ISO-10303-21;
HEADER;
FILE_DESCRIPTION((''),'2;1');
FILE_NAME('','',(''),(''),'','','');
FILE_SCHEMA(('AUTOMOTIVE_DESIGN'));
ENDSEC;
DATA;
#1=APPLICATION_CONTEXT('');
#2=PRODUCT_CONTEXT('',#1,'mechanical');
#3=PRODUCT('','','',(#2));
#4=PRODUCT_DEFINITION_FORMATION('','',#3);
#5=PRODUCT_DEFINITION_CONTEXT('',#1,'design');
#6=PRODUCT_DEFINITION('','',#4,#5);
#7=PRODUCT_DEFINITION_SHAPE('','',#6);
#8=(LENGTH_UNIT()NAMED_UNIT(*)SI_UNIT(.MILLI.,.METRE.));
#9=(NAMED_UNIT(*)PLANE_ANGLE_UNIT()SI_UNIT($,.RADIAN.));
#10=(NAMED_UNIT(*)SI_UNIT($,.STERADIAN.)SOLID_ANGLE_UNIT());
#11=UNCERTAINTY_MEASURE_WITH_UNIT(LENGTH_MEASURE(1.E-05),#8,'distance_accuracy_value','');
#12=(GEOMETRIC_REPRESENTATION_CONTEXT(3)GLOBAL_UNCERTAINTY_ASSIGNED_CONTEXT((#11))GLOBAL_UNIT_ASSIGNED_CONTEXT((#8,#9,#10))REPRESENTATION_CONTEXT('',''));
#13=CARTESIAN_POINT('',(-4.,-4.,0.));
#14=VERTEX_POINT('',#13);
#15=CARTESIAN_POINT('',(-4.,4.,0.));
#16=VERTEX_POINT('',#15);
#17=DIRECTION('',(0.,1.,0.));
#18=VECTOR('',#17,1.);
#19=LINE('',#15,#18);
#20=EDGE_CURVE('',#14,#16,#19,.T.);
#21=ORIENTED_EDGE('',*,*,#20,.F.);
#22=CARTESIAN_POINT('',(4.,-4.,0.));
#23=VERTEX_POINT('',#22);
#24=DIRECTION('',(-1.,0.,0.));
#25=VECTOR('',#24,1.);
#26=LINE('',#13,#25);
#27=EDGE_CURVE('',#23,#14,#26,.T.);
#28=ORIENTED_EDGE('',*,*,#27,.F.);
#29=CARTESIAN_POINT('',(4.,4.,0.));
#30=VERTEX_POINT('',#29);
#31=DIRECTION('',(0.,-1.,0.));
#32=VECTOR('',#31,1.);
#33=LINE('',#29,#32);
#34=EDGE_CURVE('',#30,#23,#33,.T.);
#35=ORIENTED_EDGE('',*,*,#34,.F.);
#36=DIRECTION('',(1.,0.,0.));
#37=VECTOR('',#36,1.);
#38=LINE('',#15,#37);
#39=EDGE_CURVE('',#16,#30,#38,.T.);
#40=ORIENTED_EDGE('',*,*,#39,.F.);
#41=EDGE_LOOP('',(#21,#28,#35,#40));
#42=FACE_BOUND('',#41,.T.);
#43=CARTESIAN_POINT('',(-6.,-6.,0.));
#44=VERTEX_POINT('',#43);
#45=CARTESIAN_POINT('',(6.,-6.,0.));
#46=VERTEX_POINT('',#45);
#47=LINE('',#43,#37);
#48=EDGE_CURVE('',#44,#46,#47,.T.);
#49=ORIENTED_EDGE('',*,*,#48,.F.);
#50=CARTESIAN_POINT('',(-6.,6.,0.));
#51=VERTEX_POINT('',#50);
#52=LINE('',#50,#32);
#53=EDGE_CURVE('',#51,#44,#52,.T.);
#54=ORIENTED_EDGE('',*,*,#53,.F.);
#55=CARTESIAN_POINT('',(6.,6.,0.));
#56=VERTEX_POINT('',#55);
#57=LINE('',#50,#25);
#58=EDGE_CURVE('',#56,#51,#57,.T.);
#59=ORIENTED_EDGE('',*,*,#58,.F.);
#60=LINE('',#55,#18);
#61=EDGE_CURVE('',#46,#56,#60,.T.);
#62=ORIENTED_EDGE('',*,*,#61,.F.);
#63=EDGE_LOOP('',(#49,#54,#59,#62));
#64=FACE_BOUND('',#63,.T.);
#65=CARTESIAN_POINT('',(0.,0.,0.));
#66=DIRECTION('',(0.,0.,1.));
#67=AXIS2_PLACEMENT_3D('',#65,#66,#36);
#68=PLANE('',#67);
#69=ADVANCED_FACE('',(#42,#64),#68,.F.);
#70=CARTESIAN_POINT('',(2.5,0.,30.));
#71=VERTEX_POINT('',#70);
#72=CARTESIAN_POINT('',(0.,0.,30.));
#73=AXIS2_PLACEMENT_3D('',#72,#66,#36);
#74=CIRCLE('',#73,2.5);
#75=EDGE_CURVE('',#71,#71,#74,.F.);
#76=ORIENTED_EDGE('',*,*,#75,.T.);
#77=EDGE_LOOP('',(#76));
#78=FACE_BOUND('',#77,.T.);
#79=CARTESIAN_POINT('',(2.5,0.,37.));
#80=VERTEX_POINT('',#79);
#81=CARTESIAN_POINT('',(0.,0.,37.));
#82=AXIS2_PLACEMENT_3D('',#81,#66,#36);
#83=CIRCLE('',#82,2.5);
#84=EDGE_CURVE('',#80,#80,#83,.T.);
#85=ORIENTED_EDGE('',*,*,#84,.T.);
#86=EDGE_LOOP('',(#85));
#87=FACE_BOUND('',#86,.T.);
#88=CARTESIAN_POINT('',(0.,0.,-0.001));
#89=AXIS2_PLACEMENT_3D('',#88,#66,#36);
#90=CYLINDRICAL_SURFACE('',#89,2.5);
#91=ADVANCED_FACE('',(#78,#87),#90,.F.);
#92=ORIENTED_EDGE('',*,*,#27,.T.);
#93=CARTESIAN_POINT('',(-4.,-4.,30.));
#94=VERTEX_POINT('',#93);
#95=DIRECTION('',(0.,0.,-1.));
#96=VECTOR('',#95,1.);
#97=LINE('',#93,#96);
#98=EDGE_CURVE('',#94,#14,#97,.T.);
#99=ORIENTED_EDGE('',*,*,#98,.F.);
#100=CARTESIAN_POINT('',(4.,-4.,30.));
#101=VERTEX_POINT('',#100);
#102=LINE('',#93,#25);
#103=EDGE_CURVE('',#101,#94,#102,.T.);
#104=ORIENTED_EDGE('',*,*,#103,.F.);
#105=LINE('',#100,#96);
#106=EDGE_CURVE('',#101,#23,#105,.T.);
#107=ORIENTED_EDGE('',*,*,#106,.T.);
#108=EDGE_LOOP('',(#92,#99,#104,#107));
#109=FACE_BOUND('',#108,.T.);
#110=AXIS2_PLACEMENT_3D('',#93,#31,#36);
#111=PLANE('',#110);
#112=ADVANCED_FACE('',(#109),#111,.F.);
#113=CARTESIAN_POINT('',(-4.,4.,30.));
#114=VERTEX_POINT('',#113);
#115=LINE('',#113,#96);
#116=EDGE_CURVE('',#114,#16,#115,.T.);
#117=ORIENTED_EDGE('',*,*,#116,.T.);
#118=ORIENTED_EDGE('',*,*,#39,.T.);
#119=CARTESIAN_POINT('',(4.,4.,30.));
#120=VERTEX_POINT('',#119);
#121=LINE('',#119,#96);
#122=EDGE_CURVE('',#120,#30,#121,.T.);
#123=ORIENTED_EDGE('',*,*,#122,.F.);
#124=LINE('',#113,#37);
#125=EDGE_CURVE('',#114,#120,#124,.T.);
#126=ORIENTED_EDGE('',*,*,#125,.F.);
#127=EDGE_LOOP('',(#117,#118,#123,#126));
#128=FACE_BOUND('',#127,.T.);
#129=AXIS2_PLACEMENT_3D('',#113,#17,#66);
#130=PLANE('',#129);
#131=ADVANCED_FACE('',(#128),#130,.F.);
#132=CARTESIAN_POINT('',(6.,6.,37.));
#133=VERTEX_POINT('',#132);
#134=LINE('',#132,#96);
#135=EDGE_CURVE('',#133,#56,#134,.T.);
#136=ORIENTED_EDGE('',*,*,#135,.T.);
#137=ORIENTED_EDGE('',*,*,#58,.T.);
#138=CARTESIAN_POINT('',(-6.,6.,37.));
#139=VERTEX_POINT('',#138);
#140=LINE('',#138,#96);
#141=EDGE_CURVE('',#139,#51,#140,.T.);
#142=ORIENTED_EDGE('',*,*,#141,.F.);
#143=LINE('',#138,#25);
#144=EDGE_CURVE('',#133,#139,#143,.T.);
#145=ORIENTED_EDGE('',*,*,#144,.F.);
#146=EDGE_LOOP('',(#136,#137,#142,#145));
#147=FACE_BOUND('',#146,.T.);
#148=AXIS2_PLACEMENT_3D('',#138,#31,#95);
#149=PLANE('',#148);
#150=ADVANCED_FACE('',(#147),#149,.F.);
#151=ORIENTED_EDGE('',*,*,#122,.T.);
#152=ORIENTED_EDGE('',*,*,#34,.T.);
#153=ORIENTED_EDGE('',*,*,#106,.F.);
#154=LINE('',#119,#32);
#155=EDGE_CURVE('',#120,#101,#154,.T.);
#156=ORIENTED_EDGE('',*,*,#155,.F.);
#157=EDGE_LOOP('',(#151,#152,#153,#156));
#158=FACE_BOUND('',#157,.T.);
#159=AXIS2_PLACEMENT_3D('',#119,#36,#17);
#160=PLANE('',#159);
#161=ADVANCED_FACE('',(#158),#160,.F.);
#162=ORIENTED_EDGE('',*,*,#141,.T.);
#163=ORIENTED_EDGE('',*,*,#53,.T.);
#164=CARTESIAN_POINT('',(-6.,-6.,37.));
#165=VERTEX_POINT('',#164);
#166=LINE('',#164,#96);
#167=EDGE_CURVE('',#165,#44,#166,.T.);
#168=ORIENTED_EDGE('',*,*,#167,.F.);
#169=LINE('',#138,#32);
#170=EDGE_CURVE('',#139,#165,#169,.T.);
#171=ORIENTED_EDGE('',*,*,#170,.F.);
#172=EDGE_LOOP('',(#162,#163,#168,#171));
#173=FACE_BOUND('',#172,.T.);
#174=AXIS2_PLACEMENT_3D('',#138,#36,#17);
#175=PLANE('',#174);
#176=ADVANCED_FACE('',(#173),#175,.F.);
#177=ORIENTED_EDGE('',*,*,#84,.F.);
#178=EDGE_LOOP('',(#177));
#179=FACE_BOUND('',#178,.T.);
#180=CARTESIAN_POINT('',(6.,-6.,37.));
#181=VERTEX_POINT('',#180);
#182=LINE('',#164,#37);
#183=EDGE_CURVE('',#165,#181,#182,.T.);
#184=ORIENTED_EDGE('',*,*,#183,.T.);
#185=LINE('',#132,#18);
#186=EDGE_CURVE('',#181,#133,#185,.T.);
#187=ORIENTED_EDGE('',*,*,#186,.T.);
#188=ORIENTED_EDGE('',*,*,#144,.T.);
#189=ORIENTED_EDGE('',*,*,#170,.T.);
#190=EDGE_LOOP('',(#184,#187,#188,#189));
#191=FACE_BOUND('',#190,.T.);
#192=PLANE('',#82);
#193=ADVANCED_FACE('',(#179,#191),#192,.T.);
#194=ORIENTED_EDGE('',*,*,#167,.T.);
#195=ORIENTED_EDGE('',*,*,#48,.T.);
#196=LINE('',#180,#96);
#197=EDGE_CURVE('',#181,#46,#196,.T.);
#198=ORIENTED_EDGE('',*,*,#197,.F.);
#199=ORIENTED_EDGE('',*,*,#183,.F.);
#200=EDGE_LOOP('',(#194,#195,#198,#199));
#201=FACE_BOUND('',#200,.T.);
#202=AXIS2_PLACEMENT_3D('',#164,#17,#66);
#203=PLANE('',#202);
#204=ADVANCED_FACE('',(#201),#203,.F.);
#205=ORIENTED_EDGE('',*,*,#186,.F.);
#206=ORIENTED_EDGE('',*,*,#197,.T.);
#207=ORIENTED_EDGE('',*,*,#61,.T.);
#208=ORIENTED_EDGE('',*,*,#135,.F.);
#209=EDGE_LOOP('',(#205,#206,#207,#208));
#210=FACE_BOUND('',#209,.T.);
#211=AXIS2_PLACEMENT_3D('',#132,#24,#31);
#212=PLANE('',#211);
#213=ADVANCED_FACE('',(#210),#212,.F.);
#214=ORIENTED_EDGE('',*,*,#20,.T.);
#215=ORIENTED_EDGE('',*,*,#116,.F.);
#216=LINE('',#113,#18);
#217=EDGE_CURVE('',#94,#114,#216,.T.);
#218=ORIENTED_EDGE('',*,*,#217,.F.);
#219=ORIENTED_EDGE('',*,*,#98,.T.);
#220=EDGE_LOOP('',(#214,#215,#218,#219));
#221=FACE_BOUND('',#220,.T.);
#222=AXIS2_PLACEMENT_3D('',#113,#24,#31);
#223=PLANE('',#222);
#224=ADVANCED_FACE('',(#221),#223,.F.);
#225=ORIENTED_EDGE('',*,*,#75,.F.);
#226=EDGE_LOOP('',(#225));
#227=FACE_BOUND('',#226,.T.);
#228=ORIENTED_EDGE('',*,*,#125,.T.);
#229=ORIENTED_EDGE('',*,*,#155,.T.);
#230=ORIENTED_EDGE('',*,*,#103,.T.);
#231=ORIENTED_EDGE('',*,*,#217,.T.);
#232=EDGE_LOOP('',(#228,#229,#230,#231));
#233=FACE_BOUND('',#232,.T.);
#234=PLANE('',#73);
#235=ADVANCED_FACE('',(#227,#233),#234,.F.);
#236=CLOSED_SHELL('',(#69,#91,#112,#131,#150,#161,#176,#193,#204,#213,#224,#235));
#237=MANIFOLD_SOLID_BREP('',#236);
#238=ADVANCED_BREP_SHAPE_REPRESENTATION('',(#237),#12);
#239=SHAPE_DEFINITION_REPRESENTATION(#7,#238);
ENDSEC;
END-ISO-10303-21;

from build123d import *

# Parameters (mm, degrees)
SKETCH1_W           = 12
SKETCH1_H           = 12
BOSS_EXTRUDE1_DEPTH = 37
SKETCH2_W           = 8
SKETCH2_H           = 8
CUT_EXTRUDE1_DEPTH  = 30
CUT_EXTRUDE2_REACH  = 39.961
SKETCH3_R           = 2.5


with BuildPart() as part:
    # Sketch1 → Boss-Extrude1 (new body)
    with BuildSketch(Plane.XY):
        Rectangle(SKETCH1_W, SKETCH1_H)
    extrude(amount=BOSS_EXTRUDE1_DEPTH)

    # Sketch2 → Cut-Extrude1 (cut)
    with BuildSketch(Plane(origin=(0, 0, 0), x_dir=(-1, 0, 0), z_dir=(0, 0, -1))):
        Rectangle(SKETCH2_W, SKETCH2_H)
    extrude(amount=-CUT_EXTRUDE1_DEPTH, mode=Mode.SUBTRACT)

    # Sketch3 → Cut-Extrude2 (cut, up to next)
    with BuildSketch(Plane.XY.offset(37), mode=Mode.PRIVATE) as cut_extrude2_sk1:
        Circle(SKETCH3_R)
    cut_extrude2_tool1 = extrude(cut_extrude2_sk1.sketch, amount=-CUT_EXTRUDE2_REACH, mode=Mode.PRIVATE) & part.part
    add(cut_extrude2_tool1.solids().sort_by_distance((0, 0, 37))[0], mode=Mode.SUBTRACT)


solid = part.part
